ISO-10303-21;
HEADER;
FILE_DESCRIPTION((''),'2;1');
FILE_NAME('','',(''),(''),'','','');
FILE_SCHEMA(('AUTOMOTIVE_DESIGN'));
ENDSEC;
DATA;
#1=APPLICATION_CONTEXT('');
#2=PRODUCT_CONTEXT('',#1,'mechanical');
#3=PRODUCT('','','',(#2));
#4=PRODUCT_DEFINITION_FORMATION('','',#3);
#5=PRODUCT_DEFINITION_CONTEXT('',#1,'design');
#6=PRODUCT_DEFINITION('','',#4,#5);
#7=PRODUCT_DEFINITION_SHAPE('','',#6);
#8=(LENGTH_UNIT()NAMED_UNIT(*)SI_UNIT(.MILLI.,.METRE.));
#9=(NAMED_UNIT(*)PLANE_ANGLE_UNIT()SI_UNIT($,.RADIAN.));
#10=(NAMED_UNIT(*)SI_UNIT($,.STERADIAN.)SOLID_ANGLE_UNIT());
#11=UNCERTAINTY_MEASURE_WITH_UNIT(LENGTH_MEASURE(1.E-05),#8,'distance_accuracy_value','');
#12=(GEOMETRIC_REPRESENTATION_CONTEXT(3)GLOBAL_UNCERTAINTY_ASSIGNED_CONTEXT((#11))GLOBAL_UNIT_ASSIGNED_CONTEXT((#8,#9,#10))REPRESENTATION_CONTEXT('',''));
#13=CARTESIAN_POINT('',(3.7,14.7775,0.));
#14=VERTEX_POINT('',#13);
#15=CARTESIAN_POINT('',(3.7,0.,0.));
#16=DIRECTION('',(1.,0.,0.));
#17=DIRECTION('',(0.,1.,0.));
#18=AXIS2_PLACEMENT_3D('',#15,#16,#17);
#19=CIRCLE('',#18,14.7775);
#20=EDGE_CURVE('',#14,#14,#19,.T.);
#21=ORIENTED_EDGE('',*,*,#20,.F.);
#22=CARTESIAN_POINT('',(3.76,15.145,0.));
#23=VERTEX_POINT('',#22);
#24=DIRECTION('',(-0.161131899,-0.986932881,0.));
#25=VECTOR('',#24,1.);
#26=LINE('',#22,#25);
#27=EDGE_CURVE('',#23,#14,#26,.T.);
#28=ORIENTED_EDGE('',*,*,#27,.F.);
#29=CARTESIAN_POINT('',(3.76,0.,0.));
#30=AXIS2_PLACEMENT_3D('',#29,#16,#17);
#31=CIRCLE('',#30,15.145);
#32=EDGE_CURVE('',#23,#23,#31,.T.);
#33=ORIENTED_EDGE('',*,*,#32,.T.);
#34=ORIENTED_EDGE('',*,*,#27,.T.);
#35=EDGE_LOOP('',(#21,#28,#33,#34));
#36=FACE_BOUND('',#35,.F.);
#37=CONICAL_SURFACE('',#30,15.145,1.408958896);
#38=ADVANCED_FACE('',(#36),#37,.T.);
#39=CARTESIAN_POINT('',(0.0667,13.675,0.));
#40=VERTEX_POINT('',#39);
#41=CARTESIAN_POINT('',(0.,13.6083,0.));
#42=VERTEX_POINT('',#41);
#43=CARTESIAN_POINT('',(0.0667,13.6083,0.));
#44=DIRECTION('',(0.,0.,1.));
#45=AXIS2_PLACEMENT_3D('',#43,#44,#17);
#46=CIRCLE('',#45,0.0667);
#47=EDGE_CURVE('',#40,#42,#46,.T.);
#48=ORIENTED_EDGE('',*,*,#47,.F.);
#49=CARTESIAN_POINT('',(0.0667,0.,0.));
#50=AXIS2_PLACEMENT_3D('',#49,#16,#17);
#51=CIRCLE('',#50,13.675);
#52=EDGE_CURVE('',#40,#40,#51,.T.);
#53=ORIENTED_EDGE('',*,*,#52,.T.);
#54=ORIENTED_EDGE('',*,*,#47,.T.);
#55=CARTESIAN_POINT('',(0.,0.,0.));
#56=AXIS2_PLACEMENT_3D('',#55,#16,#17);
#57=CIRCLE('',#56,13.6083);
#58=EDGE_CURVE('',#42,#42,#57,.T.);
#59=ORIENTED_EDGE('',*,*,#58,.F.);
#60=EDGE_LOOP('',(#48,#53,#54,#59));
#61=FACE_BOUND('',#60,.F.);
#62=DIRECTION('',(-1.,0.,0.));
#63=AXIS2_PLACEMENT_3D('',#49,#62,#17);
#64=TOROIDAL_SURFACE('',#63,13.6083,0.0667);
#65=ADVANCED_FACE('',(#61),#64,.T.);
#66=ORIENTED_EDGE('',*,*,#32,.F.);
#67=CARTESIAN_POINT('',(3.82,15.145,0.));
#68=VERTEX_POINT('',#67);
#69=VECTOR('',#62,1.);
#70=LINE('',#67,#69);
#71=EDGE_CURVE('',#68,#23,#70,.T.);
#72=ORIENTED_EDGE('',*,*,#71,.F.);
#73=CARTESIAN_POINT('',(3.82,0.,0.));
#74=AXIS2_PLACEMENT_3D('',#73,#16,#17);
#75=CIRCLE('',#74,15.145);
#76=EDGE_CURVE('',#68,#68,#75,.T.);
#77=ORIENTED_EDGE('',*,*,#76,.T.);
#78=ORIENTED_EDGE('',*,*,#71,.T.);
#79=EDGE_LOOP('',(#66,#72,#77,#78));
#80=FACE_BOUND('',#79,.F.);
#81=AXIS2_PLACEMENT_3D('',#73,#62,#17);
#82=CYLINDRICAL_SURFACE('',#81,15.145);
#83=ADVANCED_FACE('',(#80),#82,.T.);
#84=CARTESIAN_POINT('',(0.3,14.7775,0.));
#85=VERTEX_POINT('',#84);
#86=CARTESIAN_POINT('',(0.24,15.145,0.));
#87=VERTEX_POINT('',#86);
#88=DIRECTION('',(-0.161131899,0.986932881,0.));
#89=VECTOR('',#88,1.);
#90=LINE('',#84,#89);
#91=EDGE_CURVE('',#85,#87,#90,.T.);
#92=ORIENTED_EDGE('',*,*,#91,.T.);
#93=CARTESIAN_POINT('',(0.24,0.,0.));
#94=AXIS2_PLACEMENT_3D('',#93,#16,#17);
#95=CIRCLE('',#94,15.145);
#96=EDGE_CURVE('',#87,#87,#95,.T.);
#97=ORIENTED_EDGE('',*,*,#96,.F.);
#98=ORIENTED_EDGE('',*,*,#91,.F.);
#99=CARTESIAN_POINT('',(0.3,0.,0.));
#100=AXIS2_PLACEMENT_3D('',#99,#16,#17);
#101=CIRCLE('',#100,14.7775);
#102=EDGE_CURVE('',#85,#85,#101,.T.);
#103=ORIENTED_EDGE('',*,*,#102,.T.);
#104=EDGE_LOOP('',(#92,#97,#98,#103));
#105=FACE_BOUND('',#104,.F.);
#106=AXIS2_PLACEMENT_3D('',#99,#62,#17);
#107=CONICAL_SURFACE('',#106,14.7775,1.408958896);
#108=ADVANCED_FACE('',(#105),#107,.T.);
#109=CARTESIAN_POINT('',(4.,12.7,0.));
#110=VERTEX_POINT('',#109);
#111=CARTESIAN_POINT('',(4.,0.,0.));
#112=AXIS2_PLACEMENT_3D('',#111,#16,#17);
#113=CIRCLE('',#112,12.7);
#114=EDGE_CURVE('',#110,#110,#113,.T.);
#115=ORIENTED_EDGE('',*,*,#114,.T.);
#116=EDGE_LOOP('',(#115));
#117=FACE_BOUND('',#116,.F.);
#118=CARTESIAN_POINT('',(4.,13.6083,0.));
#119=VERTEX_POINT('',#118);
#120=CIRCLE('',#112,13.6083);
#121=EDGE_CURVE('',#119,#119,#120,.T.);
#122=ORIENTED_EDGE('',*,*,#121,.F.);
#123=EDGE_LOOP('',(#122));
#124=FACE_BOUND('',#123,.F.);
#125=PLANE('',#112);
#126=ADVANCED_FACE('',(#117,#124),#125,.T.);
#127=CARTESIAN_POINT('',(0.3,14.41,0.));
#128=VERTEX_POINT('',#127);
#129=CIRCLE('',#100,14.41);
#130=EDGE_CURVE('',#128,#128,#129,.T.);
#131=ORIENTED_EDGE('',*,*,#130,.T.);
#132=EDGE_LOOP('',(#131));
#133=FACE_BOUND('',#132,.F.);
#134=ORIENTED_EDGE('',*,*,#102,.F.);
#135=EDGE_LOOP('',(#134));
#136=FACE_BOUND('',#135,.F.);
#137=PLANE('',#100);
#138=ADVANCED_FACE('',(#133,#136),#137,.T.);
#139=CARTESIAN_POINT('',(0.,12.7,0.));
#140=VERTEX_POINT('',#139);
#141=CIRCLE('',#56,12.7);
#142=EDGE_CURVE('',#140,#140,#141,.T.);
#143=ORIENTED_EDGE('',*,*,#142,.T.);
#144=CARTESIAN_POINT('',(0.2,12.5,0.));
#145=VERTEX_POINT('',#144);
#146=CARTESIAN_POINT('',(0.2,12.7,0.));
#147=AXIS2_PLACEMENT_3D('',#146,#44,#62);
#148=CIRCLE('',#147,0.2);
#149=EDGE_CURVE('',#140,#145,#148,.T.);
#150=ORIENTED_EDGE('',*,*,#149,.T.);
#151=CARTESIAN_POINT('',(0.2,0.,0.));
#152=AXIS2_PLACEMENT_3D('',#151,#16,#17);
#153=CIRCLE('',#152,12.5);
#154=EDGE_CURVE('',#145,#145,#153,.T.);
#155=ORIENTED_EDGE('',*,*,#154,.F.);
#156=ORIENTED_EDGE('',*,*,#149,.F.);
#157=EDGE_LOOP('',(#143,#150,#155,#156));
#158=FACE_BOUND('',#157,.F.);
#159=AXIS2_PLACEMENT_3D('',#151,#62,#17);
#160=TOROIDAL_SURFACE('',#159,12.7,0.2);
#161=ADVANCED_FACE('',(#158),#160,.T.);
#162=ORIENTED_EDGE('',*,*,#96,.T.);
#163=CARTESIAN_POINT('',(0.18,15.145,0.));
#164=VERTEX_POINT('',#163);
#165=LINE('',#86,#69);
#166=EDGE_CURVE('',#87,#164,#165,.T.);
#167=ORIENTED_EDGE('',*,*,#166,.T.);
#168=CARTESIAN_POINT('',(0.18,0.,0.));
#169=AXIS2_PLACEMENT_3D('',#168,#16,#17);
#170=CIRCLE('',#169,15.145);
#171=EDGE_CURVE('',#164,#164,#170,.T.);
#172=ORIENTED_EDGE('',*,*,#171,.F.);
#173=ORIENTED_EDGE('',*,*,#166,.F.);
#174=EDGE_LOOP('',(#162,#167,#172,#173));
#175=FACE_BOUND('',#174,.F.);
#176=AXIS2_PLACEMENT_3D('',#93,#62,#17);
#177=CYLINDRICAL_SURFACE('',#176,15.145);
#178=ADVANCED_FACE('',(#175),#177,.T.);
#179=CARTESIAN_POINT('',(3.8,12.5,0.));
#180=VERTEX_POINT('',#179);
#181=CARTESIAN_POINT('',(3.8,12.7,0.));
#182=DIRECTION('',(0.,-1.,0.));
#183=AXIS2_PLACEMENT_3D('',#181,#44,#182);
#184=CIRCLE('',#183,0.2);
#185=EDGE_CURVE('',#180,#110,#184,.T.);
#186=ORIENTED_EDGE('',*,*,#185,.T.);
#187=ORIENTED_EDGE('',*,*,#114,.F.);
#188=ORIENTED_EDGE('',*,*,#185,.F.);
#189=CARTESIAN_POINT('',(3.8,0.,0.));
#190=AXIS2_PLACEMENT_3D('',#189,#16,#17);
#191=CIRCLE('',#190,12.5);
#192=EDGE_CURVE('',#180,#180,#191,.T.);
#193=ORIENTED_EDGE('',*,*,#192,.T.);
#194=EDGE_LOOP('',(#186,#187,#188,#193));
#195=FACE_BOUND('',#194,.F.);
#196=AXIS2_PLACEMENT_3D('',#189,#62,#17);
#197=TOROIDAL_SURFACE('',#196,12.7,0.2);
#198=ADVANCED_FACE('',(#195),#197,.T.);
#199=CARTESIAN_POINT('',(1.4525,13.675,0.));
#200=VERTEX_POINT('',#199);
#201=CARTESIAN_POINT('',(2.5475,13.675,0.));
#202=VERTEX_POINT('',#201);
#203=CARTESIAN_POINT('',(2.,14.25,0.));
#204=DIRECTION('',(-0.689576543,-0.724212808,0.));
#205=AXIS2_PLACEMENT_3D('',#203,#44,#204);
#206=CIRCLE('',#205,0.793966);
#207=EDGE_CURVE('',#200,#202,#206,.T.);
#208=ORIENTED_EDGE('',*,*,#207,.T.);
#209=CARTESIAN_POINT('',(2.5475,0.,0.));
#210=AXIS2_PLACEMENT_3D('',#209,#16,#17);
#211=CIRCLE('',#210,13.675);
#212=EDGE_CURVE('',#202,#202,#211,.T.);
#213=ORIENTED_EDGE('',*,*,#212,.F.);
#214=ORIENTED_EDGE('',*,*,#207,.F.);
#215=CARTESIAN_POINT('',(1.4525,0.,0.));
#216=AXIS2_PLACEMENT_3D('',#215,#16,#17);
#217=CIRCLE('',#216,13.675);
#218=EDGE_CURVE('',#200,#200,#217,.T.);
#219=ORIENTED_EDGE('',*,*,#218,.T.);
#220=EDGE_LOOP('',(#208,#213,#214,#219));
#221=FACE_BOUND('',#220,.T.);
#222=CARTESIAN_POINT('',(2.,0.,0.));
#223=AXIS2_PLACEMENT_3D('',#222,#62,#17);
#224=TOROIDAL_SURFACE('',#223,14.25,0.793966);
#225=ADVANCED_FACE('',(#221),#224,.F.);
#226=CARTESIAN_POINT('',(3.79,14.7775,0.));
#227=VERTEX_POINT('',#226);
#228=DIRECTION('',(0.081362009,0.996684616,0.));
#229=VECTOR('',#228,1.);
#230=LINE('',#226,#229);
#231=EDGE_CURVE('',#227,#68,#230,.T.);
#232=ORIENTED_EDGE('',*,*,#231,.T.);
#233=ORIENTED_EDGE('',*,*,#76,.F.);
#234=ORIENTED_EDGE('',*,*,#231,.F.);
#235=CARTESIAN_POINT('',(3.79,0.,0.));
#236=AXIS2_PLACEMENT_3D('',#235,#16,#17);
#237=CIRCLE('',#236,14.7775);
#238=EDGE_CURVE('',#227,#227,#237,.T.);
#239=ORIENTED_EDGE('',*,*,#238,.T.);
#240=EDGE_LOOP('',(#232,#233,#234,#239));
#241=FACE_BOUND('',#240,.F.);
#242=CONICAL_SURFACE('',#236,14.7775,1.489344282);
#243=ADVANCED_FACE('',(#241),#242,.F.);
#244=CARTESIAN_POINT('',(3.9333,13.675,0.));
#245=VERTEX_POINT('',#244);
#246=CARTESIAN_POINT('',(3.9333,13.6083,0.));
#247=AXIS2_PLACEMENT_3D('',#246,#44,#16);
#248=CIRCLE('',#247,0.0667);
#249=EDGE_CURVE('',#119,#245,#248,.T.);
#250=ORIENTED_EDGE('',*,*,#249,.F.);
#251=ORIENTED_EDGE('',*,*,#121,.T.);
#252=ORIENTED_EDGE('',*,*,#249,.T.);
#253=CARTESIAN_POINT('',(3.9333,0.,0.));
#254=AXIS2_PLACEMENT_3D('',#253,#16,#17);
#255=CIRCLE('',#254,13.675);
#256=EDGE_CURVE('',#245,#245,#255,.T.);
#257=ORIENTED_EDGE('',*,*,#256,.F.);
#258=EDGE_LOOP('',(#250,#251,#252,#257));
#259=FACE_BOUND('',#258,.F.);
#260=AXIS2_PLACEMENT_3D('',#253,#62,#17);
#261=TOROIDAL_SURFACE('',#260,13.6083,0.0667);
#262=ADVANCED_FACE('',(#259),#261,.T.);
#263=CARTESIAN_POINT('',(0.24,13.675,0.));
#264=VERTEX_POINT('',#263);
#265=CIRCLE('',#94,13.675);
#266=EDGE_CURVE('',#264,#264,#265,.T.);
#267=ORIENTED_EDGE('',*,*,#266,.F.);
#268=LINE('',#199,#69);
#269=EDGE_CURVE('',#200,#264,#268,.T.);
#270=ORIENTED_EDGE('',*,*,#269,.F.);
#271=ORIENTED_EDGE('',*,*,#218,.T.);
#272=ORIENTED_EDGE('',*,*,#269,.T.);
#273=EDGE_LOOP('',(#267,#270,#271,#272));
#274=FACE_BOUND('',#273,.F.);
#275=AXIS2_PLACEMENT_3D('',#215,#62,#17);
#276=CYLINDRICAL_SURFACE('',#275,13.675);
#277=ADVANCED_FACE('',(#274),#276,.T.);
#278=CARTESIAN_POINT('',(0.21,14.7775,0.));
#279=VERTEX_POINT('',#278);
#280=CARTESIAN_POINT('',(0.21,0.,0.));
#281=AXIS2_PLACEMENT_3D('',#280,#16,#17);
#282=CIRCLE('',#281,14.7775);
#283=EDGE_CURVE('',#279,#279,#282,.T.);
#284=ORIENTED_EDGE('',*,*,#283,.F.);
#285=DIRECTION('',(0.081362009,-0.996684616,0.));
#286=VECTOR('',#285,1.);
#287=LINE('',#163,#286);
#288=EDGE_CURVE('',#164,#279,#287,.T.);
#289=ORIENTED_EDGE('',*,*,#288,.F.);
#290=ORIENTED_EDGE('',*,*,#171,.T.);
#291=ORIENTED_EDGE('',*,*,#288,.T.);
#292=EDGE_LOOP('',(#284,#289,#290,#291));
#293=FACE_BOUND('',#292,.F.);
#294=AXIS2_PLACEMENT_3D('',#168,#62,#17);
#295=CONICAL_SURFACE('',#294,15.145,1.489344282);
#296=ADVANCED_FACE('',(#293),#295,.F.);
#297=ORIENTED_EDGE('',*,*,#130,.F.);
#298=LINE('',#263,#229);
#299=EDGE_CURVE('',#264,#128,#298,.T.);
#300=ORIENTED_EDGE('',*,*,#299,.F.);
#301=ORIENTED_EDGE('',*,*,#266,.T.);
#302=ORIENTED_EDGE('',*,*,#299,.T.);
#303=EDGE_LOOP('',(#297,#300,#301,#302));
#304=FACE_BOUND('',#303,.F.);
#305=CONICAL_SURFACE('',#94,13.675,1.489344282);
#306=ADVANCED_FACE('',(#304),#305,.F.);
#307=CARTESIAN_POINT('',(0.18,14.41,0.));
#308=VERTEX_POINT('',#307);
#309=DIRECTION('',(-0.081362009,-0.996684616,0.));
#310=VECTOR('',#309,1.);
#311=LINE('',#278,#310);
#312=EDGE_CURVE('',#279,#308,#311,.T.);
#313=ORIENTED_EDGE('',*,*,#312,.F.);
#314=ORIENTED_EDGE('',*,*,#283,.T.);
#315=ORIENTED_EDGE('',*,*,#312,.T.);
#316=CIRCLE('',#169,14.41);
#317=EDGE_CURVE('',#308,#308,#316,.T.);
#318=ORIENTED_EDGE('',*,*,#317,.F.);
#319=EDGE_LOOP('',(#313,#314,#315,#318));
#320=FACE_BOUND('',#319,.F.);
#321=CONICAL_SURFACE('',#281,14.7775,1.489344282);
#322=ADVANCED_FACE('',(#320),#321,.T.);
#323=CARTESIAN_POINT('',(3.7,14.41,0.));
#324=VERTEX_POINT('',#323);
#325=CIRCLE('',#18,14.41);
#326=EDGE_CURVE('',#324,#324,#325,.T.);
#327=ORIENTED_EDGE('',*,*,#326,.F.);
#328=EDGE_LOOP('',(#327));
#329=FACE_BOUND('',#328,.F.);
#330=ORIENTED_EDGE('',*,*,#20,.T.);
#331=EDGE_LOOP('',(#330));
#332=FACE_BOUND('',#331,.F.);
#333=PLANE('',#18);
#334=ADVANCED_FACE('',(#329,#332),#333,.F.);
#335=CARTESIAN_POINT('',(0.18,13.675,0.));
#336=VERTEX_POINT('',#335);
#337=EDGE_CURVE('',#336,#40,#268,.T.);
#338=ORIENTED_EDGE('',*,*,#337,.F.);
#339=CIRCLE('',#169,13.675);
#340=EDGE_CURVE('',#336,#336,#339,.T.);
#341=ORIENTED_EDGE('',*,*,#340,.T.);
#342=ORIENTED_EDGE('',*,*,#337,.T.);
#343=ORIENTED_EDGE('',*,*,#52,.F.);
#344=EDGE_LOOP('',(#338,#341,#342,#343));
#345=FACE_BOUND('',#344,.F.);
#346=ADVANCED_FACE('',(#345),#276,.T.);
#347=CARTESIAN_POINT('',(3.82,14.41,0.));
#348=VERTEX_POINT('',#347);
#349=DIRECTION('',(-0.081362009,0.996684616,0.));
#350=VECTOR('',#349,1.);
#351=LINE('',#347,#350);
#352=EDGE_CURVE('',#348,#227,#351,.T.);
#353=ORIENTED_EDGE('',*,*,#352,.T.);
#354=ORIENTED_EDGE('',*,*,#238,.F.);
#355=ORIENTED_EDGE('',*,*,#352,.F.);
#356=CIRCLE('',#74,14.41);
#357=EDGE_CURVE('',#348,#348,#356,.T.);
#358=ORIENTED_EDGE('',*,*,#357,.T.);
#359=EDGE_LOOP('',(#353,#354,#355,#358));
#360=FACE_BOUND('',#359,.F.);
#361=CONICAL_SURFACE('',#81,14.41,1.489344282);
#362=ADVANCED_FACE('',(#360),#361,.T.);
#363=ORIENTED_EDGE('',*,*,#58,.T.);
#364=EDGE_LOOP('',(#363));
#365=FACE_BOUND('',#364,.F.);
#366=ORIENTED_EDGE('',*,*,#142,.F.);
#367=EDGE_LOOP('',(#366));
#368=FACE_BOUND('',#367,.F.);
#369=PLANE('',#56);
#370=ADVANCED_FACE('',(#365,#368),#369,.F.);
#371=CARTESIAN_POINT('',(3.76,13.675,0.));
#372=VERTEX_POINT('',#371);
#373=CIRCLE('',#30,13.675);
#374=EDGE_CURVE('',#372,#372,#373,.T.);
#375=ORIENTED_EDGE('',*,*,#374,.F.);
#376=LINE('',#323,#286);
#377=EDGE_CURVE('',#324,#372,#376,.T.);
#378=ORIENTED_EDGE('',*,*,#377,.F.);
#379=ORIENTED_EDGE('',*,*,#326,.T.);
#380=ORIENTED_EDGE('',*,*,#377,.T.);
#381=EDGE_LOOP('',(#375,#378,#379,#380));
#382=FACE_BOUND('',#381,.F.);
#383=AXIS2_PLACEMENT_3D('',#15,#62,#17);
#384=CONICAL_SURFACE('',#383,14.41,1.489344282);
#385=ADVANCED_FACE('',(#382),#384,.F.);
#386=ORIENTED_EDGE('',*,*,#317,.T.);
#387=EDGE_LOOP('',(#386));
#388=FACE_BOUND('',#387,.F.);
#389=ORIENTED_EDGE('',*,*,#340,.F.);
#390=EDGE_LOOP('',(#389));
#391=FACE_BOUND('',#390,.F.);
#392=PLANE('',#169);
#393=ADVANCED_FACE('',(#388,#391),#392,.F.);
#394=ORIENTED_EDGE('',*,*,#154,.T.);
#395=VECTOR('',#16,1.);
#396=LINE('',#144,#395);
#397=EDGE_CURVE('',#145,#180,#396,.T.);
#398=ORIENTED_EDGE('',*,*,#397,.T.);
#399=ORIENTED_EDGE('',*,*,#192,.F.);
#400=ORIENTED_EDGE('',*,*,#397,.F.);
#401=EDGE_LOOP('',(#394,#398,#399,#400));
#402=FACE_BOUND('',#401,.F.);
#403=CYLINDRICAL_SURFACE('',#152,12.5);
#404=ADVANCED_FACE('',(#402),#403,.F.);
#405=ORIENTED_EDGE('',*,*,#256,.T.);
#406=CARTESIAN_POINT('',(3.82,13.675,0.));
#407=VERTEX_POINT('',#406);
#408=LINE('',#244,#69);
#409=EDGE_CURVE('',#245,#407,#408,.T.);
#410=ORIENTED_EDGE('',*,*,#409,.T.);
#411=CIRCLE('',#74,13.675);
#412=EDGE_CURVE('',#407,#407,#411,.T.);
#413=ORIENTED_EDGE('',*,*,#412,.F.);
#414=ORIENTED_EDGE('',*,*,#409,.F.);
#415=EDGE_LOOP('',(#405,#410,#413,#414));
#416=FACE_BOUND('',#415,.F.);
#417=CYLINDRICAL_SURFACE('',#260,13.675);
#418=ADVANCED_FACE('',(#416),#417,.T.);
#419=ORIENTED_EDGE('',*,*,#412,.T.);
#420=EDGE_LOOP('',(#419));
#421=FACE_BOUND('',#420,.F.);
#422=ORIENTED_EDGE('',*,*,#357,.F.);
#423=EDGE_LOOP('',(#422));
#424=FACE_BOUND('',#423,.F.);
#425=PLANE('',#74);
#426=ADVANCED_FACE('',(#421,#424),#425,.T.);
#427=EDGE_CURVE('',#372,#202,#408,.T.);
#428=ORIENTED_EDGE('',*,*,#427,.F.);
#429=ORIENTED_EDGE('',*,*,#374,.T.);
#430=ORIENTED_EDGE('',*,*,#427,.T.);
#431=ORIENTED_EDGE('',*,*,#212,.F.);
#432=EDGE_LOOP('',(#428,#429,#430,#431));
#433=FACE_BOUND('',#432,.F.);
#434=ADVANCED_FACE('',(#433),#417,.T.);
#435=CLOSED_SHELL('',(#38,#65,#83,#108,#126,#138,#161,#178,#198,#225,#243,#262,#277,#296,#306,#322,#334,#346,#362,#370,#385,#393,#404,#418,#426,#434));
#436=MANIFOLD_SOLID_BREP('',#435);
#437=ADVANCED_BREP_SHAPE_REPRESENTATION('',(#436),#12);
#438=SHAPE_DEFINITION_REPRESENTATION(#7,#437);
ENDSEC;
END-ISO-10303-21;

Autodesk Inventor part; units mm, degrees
ref_plane "YZ Plane" through (0, 0, 0) normal (1, 0, 0) x (0, 1, 0)
ref_plane "XZ Plane" through (0, 0, 0) normal (0, 1, 0) x (-1, 0, 0)
ref_plane "XY Plane" through (0, 0, 0) normal (0, 0, 1) x (1, 0, 0)
sketch "Sketch_12" plane through (0, 0, 0) normal (0, 0, 1) x (1, 0, 0)
  line L0 (50, 0) -> (-50, 0)
  line L1 (0, 13.6083) -> (0, 12.7)
  arc A0 (0, 12.7) -> (0.2, 12.5) centre (0.2, 12.7) ccw
  line L2 (0.2, 12.5) -> (3.8, 12.5)
  arc A1 (3.8, 12.5) -> (4, 12.7) centre (3.8, 12.7) ccw
  line L3 (4, 12.7) -> (4, 13.6083)
  arc A2 (4, 13.6083) -> (3.9333, 13.675) centre (3.9333, 13.6083) ccw
  line L4 (3.9333, 13.675) -> (2.5475, 13.675)
  arc A3 (1.4525, 13.675) -> (2.5475, 13.675) centre (2, 14.25) ccw
  line L5 (1.4525, 13.675) -> (0.0667, 13.675)
  arc A4 (0.0667, 13.675) -> (0, 13.6083) centre (0.0667, 13.6083) ccw
revolve "Revolution1" add sketch "Sketch_12" angle 360 about axis through (50, 0, 0) along (1, 0, 0)
sketch "Sketch_15" plane through (0, 0, 0) normal (0, 0, 1) x (1, 0, 0)
  line L0 (50, 0) -> (-50, 0)
  line L1 (0.18, 15.145) -> (0.21, 14.7775)
  line L2 (0.21, 14.7775) -> (0.18, 14.41)
  line L3 (0.18, 14.41) -> (0.18, 13.675)
  line L4 (0.18, 13.675) -> (0.24, 13.675)
  line L5 (0.24, 13.675) -> (0.3, 14.41)
  line L6 (0.3, 14.41) -> (0.3, 14.7775)
  line L7 (0.3, 14.7775) -> (0.24, 15.145)
  line L8 (0.24, 15.145) -> (0.18, 15.145)
revolve "Revolution2" add sketch "Sketch_15" angle 360 about axis through (50, 0, 0) along (1, 0, 0)
sketch "Sketch_16" plane through (0, 0, 0) normal (0, 0, 1) x (1, 0, 0)
  line L0 (50, 0) -> (-50, 0)
  line L1 (3.7, 14.7775) -> (3.7, 14.41)
  line L2 (3.7, 14.41) -> (3.76, 13.675)
  line L3 (3.76, 13.675) -> (3.82, 13.675)
  line L4 (3.82, 13.675) -> (3.82, 14.41)
  line L5 (3.82, 14.41) -> (3.79, 14.7775)
  line L6 (3.79, 14.7775) -> (3.82, 15.145)
  line L7 (3.82, 15.145) -> (3.76, 15.145)
  line L8 (3.76, 15.145) -> (3.7, 14.7775)
revolve "Revolution3" add sketch "Sketch_16" angle 360 about axis through (50, 0, 0) along (1, 0, 0)
properties part number "W 61705-2RS1_PART1"
